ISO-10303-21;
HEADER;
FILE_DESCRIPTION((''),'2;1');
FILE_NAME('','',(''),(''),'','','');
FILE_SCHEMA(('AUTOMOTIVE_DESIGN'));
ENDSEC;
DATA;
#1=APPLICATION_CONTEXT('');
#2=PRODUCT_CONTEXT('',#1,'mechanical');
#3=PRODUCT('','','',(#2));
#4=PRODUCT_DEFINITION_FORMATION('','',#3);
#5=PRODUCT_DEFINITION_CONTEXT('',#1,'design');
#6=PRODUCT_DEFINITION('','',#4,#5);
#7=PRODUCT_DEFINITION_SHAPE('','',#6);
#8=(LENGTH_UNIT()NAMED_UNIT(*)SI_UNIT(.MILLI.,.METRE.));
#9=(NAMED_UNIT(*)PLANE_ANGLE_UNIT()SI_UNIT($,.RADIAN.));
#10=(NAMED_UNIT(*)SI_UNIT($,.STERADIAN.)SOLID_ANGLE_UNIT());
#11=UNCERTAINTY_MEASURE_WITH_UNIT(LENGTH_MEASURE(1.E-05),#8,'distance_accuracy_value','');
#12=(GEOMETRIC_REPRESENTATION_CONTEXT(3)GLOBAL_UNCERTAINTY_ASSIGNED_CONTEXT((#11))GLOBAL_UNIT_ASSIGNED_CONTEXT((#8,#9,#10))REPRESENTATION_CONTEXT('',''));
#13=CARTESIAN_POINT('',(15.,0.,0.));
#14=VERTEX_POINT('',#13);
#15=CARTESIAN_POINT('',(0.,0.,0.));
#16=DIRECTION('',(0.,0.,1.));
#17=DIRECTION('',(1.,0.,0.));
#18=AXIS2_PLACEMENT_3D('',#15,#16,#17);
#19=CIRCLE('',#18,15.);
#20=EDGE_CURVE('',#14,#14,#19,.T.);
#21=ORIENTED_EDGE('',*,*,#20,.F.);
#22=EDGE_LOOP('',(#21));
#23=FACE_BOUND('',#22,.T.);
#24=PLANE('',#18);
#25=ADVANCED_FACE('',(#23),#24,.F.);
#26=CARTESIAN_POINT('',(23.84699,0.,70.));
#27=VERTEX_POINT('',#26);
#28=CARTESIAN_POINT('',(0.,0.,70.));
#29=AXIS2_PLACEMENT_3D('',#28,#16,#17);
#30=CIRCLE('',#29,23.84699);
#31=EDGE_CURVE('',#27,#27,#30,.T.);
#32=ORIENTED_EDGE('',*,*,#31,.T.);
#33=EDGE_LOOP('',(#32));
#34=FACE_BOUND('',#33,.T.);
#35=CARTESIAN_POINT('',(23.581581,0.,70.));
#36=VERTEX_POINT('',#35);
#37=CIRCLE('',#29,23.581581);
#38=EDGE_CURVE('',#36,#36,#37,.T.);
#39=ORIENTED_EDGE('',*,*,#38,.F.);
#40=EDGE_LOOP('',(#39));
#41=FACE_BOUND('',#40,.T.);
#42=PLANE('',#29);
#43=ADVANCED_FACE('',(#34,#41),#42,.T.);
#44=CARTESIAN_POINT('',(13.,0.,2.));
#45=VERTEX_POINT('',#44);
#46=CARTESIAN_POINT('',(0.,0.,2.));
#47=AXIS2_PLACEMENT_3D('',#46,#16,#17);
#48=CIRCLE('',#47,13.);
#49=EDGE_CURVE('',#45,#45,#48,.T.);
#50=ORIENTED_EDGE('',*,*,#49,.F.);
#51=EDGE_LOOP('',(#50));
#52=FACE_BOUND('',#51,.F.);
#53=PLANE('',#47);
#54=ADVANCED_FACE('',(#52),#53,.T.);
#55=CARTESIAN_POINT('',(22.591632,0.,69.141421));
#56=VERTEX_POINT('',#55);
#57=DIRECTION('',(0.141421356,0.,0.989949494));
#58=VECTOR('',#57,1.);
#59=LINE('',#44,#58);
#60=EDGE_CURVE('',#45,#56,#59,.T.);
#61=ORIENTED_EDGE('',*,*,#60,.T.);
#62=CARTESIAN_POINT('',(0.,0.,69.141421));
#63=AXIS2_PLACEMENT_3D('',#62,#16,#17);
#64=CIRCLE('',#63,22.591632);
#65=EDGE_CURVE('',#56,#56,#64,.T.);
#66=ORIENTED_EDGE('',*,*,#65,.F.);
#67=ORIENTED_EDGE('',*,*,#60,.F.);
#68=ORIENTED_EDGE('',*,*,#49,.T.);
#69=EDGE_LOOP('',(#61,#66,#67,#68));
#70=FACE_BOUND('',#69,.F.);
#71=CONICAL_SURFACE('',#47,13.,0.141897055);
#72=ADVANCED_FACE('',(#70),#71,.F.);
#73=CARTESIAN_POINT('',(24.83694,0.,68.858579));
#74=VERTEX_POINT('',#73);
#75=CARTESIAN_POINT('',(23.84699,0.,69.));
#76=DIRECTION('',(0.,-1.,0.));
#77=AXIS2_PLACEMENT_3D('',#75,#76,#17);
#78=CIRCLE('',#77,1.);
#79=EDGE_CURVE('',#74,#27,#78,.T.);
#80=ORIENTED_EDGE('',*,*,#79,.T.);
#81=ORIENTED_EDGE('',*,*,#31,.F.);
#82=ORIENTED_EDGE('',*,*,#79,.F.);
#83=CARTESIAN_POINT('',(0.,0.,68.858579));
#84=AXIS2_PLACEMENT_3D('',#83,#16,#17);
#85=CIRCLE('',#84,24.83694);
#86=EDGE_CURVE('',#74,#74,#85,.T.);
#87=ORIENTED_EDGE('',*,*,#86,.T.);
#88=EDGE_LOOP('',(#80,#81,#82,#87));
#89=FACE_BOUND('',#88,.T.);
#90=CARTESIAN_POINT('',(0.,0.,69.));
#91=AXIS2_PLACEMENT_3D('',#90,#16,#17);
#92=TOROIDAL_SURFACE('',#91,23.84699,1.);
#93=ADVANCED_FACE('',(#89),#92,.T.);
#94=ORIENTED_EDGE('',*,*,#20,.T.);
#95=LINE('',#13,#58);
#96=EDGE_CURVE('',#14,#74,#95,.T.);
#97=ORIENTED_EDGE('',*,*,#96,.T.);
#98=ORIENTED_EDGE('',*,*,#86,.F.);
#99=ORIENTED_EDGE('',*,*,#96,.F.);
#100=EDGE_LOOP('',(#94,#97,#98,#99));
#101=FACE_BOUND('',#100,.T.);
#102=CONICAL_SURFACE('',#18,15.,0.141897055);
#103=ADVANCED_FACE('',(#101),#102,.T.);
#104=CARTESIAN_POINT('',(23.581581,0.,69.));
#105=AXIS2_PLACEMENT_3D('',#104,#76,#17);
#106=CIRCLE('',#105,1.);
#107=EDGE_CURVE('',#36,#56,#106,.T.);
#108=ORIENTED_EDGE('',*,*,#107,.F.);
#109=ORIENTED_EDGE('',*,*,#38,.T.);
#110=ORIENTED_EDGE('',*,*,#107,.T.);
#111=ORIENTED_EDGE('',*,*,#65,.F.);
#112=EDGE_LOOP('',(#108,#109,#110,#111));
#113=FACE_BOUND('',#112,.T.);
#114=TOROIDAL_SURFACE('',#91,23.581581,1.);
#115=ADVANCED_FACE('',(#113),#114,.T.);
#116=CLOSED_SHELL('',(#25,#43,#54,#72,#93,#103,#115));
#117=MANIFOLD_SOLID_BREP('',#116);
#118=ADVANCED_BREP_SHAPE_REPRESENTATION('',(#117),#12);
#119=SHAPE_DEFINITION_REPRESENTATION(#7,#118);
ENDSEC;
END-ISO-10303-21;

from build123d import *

# Parameters (mm, degrees)
FILLET_R = 1


with BuildPart() as vaso_interior:
    # Cone001 → Cone001 (revolve)
    with BuildSketch(Plane(origin=(0, 0, 2), x_dir=(1, 0, 0), z_dir=(0, -1, 0))):
        Polygon((0, 0), (13, 0), (23, 70), (0, 70), align=None)
    revolve(axis=Axis((0, 0, 2), (0, 0, 1)))


with BuildPart() as vaso:
    # Cone → Cone (revolve)
    with BuildSketch(Plane.XZ):
        Polygon((0, 0), (15, 0), (25, 70), (0, 70), align=None)
    revolve(axis=Axis((0, 0, 0), (0, 0, 1)))

    # Cut: cut vaso_interior
    add(vaso_interior.part, mode=Mode.SUBTRACT)

    # Fillet
    fillet_edges = [vaso.edges().sort_by_distance(p)[0] for p in [
        (-25, 0, 70),
        (-22.714286, 0, 70),
    ]]
    fillet(fillet_edges, radius=FILLET_R)


solid = vaso.part
